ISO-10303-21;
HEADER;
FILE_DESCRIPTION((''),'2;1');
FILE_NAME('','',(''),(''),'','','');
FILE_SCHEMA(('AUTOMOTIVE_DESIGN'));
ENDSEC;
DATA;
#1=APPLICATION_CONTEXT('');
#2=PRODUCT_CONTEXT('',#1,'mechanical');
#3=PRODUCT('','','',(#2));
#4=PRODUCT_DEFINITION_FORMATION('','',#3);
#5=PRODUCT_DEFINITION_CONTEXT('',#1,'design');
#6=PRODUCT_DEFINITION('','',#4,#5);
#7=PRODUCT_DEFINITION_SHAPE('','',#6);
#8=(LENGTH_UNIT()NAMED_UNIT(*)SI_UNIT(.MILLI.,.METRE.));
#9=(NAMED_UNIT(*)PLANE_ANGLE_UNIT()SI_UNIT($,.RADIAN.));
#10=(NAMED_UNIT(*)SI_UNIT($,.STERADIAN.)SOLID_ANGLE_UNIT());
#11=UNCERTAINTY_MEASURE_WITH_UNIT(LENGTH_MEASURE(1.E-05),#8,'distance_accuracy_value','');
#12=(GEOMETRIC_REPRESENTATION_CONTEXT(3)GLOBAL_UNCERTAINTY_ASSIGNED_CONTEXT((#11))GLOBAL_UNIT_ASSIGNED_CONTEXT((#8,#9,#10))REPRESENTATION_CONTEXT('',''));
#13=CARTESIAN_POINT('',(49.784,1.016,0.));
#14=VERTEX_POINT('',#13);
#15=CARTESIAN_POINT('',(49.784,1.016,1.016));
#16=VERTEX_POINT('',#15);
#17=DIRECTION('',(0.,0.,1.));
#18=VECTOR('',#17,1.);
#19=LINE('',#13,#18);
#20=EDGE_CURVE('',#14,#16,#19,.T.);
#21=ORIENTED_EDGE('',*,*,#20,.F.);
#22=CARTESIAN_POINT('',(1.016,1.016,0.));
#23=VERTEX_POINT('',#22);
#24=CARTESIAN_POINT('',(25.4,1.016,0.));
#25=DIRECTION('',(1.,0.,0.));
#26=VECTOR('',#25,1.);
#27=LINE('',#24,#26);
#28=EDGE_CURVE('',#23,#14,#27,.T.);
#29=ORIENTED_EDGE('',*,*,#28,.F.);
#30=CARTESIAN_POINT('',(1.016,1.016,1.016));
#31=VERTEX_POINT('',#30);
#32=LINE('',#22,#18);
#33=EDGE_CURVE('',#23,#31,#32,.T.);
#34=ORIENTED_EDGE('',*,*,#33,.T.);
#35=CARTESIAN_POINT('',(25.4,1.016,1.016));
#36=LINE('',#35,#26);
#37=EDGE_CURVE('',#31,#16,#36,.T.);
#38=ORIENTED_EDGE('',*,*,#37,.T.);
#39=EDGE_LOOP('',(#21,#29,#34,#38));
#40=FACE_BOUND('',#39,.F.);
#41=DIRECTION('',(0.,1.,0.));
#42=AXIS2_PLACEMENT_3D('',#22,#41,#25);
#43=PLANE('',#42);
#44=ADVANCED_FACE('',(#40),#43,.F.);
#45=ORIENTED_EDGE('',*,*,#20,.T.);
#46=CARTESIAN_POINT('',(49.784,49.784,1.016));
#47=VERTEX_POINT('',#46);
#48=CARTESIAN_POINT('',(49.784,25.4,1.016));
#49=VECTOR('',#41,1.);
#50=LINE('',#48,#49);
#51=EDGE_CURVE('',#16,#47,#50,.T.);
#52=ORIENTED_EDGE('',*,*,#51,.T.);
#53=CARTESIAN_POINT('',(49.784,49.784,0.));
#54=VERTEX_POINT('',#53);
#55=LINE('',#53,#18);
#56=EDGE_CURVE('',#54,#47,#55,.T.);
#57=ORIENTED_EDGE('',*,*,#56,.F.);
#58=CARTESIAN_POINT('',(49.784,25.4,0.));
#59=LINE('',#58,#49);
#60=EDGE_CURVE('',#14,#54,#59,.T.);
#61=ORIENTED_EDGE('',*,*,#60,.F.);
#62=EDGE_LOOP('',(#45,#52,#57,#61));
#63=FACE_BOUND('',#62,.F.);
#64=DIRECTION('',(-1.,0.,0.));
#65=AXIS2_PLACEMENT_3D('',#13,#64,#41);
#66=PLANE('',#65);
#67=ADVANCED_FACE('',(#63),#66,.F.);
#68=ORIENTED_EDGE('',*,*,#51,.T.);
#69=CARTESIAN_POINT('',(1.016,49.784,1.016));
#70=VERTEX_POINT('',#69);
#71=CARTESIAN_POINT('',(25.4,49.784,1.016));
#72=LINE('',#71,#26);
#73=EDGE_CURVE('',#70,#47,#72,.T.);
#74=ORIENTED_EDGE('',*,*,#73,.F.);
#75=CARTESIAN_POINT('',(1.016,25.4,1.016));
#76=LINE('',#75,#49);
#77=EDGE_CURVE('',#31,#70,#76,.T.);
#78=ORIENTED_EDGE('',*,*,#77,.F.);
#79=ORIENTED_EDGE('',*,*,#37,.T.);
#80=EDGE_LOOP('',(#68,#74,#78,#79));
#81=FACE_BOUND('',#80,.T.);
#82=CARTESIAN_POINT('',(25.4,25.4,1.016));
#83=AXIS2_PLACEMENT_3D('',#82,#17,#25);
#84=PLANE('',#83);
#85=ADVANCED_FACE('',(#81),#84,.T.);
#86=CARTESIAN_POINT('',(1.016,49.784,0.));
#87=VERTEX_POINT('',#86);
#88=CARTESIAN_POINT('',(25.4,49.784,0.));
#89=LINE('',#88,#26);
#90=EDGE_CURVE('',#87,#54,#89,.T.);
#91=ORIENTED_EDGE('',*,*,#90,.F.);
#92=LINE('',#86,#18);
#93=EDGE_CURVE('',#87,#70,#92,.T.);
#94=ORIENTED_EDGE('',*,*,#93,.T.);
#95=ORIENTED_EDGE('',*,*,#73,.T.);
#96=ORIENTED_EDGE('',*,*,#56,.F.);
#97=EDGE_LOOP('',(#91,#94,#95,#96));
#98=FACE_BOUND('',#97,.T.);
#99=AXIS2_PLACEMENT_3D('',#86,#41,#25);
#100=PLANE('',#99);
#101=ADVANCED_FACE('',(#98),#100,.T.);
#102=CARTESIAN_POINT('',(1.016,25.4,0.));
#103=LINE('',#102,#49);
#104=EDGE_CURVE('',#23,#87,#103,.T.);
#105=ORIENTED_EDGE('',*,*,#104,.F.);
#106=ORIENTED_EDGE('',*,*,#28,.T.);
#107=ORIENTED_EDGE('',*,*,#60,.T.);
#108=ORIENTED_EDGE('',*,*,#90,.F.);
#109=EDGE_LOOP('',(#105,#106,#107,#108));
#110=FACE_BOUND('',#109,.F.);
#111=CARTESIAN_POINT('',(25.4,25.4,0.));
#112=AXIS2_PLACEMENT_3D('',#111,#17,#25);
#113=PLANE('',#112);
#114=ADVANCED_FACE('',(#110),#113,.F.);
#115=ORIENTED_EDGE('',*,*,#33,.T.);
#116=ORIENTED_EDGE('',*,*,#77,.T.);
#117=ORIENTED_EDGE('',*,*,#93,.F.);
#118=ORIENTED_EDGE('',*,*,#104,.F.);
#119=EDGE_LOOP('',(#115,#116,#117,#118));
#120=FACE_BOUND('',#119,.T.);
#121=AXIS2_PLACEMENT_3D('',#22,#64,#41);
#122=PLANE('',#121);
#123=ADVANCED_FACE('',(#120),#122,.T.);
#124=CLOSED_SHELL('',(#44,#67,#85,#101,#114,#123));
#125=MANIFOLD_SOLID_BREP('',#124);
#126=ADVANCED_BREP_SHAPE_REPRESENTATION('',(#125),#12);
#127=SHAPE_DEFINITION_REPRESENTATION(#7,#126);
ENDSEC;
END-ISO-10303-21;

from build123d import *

# Parameters (mm, degrees)
F1_W     = 48.768
F1_H     = 48.768
F2_DEPTH = 1.016


with BuildPart() as f2:
    # F1 (on face) → F2 (new body)
    with BuildSketch(Plane.XY):
        with Locations((25.4, 25.4)):
            Rectangle(F1_W, F1_H)
    extrude(amount=F2_DEPTH)


solid = f2.part
